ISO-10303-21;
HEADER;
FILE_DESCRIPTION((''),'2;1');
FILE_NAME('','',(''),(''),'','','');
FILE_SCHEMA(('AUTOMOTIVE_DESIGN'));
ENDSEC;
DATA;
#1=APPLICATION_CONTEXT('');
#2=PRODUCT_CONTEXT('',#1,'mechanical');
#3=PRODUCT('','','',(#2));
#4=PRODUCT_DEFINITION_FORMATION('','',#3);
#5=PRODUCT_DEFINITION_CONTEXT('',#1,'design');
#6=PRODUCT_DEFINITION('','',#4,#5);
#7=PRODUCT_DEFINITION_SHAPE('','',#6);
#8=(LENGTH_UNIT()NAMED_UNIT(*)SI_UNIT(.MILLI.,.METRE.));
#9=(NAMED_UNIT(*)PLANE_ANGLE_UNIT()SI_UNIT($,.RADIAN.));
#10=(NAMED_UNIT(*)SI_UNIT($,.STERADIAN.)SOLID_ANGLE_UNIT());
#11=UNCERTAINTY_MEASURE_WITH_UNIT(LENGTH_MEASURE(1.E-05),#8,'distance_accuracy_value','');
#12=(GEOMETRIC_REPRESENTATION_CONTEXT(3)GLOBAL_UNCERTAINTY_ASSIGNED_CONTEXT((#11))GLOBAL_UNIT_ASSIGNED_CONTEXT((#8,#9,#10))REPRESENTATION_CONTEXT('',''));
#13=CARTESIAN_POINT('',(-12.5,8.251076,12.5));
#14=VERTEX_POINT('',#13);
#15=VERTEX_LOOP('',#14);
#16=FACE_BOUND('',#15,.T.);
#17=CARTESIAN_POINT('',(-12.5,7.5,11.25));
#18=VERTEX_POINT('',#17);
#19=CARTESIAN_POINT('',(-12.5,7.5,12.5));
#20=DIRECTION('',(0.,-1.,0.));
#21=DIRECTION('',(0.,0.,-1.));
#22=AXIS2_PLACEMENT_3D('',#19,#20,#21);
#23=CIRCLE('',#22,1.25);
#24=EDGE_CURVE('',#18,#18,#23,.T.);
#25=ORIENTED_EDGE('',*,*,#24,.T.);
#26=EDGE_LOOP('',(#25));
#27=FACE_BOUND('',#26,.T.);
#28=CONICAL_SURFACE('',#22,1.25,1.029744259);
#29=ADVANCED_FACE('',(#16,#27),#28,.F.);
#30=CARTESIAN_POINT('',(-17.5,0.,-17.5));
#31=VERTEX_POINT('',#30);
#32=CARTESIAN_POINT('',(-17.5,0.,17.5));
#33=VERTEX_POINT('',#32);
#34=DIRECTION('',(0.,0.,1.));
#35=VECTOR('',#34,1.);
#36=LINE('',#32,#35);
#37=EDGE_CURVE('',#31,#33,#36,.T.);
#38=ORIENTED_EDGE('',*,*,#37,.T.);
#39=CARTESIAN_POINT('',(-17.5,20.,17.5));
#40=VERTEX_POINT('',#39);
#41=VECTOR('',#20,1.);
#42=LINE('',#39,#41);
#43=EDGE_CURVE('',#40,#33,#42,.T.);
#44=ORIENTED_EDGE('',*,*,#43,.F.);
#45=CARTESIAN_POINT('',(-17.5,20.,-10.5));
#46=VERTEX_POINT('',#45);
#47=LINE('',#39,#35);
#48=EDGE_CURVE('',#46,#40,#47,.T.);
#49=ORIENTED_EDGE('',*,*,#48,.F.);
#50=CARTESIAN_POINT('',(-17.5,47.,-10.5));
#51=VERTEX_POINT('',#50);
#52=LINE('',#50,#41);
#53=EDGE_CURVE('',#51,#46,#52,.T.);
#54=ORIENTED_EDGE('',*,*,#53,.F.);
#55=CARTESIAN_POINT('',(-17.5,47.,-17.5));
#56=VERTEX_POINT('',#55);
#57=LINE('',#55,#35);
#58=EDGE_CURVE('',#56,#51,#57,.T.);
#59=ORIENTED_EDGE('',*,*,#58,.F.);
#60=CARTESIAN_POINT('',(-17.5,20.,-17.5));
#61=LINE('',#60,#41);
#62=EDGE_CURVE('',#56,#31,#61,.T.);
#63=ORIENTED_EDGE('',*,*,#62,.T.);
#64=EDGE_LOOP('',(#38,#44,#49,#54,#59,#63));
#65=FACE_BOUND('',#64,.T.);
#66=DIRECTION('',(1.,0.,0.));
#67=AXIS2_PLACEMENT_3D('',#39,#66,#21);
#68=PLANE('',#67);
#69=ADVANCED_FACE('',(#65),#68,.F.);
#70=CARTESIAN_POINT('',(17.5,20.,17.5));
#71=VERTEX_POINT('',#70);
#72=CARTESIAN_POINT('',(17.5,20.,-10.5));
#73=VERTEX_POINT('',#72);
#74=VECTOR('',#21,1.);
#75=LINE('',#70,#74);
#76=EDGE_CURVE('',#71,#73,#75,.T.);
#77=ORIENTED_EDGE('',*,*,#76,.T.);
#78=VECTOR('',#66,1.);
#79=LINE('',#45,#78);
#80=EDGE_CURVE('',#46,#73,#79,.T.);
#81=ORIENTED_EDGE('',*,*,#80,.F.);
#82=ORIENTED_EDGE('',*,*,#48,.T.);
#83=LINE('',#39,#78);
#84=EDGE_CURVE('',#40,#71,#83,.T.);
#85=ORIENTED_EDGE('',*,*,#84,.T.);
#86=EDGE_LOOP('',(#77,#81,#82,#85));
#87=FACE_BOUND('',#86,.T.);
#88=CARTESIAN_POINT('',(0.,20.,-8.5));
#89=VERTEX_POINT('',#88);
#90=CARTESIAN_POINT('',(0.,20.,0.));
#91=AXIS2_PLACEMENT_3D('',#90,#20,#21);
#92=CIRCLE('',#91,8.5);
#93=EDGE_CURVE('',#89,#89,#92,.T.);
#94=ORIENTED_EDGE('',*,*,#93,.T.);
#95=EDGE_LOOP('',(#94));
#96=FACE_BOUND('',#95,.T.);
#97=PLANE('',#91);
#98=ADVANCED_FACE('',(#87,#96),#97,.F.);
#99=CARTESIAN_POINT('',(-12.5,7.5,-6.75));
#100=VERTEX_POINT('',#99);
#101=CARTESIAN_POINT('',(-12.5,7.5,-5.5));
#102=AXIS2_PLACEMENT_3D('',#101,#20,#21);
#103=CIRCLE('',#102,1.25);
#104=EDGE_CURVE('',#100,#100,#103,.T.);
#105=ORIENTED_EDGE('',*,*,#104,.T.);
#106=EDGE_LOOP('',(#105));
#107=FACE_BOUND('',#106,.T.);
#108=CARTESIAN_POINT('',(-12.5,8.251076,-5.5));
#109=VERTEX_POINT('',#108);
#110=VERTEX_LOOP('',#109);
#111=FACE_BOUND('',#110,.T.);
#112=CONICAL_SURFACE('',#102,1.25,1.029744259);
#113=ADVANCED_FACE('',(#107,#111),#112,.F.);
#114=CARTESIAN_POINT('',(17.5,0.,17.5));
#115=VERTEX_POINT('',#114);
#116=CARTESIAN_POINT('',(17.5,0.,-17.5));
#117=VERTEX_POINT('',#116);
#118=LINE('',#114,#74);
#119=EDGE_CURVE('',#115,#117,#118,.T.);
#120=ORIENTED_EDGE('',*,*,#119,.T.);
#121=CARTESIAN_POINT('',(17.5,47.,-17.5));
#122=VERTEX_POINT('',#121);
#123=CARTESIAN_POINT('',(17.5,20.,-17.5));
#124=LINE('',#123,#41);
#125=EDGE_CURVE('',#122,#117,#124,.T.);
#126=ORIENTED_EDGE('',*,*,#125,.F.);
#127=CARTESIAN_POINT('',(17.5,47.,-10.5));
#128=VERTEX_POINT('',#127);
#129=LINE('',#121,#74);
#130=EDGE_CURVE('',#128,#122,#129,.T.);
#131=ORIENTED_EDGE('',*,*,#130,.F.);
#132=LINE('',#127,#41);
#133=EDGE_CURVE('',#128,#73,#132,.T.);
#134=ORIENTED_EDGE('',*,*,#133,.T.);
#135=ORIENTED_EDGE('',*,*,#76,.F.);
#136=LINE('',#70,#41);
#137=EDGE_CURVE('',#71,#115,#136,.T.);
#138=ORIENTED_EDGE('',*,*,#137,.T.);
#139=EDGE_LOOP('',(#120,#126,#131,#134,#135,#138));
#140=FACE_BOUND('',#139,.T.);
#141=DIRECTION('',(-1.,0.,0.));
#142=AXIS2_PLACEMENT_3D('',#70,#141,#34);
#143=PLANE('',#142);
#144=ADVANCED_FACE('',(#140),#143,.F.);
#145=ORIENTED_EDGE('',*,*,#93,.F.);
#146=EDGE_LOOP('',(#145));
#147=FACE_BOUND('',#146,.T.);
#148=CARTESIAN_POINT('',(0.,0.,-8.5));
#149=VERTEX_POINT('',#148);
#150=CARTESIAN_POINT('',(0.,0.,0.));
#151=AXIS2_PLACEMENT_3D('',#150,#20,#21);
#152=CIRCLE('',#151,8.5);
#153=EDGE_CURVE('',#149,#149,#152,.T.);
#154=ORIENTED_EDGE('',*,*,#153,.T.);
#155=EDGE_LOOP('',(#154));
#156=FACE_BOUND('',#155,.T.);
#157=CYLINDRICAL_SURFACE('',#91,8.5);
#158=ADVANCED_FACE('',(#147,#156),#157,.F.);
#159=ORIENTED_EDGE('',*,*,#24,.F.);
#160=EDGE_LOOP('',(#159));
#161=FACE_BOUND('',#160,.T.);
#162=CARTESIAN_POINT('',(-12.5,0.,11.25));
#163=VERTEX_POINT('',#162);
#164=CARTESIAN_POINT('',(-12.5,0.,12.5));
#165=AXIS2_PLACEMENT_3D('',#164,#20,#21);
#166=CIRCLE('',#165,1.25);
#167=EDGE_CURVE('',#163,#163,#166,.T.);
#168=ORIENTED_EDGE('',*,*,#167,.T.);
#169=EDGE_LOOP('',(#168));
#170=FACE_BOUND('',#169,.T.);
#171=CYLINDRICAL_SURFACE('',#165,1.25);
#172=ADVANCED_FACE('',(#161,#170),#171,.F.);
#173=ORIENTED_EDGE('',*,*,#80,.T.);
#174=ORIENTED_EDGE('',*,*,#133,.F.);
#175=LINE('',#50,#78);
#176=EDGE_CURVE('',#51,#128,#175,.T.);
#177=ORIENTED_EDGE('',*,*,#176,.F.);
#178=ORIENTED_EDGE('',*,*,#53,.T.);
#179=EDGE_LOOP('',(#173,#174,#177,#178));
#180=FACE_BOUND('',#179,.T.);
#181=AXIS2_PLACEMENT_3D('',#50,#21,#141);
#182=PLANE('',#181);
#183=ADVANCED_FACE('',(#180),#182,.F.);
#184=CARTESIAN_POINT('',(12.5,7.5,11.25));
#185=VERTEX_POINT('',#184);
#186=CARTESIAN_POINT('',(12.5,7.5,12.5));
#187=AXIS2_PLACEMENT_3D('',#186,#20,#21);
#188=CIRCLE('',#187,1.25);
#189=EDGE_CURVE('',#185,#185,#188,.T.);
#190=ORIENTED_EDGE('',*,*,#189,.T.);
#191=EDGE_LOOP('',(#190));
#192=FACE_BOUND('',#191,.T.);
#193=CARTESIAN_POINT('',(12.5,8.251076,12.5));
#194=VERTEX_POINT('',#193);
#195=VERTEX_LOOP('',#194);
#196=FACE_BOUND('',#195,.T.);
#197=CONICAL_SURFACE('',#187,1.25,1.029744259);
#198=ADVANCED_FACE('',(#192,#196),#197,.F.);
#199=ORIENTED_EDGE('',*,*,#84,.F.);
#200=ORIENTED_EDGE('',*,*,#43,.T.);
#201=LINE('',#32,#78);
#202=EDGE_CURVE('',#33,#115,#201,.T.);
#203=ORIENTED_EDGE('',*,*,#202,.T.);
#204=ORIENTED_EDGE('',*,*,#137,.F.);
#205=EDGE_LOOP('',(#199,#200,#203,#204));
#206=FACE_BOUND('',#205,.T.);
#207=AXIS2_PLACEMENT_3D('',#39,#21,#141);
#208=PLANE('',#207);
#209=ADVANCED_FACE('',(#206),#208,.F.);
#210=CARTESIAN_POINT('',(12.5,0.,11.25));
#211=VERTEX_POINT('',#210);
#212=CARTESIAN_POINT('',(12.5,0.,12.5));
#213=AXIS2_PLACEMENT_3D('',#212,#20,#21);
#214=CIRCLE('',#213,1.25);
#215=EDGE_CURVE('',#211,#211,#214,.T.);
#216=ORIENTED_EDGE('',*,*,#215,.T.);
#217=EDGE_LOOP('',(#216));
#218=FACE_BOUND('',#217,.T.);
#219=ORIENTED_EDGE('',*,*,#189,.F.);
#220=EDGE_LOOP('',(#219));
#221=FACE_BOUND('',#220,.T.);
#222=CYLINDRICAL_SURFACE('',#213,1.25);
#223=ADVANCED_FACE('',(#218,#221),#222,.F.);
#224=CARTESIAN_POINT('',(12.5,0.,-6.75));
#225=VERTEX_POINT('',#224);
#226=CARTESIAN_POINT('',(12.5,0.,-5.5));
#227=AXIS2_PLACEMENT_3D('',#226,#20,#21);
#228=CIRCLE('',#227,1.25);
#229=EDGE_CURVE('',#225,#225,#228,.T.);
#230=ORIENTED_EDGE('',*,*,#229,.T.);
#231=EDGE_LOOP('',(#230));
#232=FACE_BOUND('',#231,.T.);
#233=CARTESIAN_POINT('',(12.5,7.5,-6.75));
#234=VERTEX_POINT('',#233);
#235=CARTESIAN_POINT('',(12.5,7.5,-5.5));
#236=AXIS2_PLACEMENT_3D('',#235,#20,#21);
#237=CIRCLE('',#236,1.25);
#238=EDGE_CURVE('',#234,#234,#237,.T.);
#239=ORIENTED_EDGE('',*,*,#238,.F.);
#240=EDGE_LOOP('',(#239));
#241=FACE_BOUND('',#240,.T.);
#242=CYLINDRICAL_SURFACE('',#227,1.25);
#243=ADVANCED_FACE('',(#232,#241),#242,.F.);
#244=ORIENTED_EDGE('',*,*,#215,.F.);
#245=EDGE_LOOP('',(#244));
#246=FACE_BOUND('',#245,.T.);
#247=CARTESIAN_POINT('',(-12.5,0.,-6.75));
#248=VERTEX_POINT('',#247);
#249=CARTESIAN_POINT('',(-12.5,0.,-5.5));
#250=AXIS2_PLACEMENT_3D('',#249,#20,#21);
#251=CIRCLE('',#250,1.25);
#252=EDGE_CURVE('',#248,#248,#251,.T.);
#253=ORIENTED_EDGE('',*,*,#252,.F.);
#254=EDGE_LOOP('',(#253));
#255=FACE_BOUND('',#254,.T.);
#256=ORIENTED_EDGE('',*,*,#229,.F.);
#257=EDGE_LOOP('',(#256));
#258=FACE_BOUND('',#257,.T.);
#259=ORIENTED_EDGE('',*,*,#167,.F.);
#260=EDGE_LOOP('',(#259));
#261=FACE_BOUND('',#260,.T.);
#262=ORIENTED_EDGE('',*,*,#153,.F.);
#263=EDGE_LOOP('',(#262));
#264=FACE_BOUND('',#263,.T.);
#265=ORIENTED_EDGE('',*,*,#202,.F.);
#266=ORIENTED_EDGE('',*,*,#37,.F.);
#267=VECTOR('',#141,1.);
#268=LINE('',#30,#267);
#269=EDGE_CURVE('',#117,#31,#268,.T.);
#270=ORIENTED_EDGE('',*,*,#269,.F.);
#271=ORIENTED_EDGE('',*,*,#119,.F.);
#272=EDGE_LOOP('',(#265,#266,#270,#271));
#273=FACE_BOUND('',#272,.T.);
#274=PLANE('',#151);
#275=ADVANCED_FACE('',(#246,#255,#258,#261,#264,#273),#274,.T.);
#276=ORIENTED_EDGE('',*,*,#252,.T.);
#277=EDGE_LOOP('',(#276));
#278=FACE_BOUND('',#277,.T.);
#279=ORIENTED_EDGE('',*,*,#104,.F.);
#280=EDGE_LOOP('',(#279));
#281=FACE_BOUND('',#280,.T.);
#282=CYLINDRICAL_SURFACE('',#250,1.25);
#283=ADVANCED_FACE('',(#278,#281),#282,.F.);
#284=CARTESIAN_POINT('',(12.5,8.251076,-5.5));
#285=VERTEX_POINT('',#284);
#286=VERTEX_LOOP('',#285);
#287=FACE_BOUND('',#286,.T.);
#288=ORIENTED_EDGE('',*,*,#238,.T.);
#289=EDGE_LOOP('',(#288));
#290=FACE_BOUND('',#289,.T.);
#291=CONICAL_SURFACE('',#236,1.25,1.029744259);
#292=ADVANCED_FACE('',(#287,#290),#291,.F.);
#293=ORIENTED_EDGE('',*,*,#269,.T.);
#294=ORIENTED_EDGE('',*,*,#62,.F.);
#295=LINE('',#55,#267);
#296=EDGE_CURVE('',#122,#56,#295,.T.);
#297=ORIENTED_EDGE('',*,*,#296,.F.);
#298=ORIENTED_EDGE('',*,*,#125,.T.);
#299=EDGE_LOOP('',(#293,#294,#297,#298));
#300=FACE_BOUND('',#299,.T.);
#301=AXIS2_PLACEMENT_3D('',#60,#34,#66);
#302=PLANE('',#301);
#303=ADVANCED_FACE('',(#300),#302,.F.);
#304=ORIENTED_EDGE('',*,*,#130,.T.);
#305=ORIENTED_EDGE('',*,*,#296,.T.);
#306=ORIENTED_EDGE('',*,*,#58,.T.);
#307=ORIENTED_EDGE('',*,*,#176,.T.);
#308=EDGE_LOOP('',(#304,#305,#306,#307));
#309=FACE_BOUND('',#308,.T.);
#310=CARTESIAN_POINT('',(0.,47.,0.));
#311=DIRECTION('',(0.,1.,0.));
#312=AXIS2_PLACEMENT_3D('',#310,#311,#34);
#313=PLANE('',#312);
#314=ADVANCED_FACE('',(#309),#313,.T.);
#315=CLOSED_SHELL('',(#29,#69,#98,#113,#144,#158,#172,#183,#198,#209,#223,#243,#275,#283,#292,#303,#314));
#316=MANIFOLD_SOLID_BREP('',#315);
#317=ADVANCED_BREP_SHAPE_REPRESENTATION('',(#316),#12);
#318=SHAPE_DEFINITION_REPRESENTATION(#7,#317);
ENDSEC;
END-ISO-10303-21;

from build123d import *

# Parameters (mm, degrees)
SKETCH1_W             = 35
SKETCH1_H             = 35
BOSS_EXTRUDE1_DEPTH   = 20
SKETCH2_W             = 35
SKETCH2_H             = 7
BOSS_EXTRUDE2_DEPTH   = 27
SKETCH3_R             = 8.5
CUT_EXTRUDE1_DEPTH    = 20
M3_TAPPED_HOLE1_D     = 2.5
M3_TAPPED_HOLE1_DEPTH = 7.5
M3_TAPPED_HOLE1_TIP   = 0.751075774


with BuildPart() as part:
    # Sketch1 → Boss-Extrude1 (new body)
    with BuildSketch(Plane(origin=(0, 0, 0), x_dir=(1, 0, 0), z_dir=(0, 1, 0))):
        Rectangle(SKETCH1_W, SKETCH1_H)
    extrude(amount=BOSS_EXTRUDE1_DEPTH)

    # Sketch2 → Boss-Extrude2 (add)
    with BuildSketch(Plane(origin=(0, 20, 0), x_dir=(1, 0, 0), z_dir=(0, 1, 0))):
        with Locations((0, 14)):
            Rectangle(SKETCH2_W, SKETCH2_H)
    extrude(amount=BOSS_EXTRUDE2_DEPTH)

    # Sketch3 → Cut-Extrude1 (cut)
    with BuildSketch(Plane.XZ):
        Circle(SKETCH3_R)
    extrude(amount=-CUT_EXTRUDE1_DEPTH, mode=Mode.SUBTRACT)

    # M3 Tapped Hole1
    with Locations(Plane(origin=(0, 0, 0), x_dir=(-1, 0, 0), z_dir=(0, -1, 0))):
        with Locations((-12.5, 5.5), (12.5, 5.5), (12.5, -12.5), (-12.5, -12.5)):
            Hole(M3_TAPPED_HOLE1_D / 2, depth=M3_TAPPED_HOLE1_DEPTH)
            with Locations((0, 0, -(M3_TAPPED_HOLE1_DEPTH + M3_TAPPED_HOLE1_TIP / 2))):  # 118° drill point
                Cone(0, M3_TAPPED_HOLE1_D / 2, M3_TAPPED_HOLE1_TIP, mode=Mode.SUBTRACT)


solid = part.part
